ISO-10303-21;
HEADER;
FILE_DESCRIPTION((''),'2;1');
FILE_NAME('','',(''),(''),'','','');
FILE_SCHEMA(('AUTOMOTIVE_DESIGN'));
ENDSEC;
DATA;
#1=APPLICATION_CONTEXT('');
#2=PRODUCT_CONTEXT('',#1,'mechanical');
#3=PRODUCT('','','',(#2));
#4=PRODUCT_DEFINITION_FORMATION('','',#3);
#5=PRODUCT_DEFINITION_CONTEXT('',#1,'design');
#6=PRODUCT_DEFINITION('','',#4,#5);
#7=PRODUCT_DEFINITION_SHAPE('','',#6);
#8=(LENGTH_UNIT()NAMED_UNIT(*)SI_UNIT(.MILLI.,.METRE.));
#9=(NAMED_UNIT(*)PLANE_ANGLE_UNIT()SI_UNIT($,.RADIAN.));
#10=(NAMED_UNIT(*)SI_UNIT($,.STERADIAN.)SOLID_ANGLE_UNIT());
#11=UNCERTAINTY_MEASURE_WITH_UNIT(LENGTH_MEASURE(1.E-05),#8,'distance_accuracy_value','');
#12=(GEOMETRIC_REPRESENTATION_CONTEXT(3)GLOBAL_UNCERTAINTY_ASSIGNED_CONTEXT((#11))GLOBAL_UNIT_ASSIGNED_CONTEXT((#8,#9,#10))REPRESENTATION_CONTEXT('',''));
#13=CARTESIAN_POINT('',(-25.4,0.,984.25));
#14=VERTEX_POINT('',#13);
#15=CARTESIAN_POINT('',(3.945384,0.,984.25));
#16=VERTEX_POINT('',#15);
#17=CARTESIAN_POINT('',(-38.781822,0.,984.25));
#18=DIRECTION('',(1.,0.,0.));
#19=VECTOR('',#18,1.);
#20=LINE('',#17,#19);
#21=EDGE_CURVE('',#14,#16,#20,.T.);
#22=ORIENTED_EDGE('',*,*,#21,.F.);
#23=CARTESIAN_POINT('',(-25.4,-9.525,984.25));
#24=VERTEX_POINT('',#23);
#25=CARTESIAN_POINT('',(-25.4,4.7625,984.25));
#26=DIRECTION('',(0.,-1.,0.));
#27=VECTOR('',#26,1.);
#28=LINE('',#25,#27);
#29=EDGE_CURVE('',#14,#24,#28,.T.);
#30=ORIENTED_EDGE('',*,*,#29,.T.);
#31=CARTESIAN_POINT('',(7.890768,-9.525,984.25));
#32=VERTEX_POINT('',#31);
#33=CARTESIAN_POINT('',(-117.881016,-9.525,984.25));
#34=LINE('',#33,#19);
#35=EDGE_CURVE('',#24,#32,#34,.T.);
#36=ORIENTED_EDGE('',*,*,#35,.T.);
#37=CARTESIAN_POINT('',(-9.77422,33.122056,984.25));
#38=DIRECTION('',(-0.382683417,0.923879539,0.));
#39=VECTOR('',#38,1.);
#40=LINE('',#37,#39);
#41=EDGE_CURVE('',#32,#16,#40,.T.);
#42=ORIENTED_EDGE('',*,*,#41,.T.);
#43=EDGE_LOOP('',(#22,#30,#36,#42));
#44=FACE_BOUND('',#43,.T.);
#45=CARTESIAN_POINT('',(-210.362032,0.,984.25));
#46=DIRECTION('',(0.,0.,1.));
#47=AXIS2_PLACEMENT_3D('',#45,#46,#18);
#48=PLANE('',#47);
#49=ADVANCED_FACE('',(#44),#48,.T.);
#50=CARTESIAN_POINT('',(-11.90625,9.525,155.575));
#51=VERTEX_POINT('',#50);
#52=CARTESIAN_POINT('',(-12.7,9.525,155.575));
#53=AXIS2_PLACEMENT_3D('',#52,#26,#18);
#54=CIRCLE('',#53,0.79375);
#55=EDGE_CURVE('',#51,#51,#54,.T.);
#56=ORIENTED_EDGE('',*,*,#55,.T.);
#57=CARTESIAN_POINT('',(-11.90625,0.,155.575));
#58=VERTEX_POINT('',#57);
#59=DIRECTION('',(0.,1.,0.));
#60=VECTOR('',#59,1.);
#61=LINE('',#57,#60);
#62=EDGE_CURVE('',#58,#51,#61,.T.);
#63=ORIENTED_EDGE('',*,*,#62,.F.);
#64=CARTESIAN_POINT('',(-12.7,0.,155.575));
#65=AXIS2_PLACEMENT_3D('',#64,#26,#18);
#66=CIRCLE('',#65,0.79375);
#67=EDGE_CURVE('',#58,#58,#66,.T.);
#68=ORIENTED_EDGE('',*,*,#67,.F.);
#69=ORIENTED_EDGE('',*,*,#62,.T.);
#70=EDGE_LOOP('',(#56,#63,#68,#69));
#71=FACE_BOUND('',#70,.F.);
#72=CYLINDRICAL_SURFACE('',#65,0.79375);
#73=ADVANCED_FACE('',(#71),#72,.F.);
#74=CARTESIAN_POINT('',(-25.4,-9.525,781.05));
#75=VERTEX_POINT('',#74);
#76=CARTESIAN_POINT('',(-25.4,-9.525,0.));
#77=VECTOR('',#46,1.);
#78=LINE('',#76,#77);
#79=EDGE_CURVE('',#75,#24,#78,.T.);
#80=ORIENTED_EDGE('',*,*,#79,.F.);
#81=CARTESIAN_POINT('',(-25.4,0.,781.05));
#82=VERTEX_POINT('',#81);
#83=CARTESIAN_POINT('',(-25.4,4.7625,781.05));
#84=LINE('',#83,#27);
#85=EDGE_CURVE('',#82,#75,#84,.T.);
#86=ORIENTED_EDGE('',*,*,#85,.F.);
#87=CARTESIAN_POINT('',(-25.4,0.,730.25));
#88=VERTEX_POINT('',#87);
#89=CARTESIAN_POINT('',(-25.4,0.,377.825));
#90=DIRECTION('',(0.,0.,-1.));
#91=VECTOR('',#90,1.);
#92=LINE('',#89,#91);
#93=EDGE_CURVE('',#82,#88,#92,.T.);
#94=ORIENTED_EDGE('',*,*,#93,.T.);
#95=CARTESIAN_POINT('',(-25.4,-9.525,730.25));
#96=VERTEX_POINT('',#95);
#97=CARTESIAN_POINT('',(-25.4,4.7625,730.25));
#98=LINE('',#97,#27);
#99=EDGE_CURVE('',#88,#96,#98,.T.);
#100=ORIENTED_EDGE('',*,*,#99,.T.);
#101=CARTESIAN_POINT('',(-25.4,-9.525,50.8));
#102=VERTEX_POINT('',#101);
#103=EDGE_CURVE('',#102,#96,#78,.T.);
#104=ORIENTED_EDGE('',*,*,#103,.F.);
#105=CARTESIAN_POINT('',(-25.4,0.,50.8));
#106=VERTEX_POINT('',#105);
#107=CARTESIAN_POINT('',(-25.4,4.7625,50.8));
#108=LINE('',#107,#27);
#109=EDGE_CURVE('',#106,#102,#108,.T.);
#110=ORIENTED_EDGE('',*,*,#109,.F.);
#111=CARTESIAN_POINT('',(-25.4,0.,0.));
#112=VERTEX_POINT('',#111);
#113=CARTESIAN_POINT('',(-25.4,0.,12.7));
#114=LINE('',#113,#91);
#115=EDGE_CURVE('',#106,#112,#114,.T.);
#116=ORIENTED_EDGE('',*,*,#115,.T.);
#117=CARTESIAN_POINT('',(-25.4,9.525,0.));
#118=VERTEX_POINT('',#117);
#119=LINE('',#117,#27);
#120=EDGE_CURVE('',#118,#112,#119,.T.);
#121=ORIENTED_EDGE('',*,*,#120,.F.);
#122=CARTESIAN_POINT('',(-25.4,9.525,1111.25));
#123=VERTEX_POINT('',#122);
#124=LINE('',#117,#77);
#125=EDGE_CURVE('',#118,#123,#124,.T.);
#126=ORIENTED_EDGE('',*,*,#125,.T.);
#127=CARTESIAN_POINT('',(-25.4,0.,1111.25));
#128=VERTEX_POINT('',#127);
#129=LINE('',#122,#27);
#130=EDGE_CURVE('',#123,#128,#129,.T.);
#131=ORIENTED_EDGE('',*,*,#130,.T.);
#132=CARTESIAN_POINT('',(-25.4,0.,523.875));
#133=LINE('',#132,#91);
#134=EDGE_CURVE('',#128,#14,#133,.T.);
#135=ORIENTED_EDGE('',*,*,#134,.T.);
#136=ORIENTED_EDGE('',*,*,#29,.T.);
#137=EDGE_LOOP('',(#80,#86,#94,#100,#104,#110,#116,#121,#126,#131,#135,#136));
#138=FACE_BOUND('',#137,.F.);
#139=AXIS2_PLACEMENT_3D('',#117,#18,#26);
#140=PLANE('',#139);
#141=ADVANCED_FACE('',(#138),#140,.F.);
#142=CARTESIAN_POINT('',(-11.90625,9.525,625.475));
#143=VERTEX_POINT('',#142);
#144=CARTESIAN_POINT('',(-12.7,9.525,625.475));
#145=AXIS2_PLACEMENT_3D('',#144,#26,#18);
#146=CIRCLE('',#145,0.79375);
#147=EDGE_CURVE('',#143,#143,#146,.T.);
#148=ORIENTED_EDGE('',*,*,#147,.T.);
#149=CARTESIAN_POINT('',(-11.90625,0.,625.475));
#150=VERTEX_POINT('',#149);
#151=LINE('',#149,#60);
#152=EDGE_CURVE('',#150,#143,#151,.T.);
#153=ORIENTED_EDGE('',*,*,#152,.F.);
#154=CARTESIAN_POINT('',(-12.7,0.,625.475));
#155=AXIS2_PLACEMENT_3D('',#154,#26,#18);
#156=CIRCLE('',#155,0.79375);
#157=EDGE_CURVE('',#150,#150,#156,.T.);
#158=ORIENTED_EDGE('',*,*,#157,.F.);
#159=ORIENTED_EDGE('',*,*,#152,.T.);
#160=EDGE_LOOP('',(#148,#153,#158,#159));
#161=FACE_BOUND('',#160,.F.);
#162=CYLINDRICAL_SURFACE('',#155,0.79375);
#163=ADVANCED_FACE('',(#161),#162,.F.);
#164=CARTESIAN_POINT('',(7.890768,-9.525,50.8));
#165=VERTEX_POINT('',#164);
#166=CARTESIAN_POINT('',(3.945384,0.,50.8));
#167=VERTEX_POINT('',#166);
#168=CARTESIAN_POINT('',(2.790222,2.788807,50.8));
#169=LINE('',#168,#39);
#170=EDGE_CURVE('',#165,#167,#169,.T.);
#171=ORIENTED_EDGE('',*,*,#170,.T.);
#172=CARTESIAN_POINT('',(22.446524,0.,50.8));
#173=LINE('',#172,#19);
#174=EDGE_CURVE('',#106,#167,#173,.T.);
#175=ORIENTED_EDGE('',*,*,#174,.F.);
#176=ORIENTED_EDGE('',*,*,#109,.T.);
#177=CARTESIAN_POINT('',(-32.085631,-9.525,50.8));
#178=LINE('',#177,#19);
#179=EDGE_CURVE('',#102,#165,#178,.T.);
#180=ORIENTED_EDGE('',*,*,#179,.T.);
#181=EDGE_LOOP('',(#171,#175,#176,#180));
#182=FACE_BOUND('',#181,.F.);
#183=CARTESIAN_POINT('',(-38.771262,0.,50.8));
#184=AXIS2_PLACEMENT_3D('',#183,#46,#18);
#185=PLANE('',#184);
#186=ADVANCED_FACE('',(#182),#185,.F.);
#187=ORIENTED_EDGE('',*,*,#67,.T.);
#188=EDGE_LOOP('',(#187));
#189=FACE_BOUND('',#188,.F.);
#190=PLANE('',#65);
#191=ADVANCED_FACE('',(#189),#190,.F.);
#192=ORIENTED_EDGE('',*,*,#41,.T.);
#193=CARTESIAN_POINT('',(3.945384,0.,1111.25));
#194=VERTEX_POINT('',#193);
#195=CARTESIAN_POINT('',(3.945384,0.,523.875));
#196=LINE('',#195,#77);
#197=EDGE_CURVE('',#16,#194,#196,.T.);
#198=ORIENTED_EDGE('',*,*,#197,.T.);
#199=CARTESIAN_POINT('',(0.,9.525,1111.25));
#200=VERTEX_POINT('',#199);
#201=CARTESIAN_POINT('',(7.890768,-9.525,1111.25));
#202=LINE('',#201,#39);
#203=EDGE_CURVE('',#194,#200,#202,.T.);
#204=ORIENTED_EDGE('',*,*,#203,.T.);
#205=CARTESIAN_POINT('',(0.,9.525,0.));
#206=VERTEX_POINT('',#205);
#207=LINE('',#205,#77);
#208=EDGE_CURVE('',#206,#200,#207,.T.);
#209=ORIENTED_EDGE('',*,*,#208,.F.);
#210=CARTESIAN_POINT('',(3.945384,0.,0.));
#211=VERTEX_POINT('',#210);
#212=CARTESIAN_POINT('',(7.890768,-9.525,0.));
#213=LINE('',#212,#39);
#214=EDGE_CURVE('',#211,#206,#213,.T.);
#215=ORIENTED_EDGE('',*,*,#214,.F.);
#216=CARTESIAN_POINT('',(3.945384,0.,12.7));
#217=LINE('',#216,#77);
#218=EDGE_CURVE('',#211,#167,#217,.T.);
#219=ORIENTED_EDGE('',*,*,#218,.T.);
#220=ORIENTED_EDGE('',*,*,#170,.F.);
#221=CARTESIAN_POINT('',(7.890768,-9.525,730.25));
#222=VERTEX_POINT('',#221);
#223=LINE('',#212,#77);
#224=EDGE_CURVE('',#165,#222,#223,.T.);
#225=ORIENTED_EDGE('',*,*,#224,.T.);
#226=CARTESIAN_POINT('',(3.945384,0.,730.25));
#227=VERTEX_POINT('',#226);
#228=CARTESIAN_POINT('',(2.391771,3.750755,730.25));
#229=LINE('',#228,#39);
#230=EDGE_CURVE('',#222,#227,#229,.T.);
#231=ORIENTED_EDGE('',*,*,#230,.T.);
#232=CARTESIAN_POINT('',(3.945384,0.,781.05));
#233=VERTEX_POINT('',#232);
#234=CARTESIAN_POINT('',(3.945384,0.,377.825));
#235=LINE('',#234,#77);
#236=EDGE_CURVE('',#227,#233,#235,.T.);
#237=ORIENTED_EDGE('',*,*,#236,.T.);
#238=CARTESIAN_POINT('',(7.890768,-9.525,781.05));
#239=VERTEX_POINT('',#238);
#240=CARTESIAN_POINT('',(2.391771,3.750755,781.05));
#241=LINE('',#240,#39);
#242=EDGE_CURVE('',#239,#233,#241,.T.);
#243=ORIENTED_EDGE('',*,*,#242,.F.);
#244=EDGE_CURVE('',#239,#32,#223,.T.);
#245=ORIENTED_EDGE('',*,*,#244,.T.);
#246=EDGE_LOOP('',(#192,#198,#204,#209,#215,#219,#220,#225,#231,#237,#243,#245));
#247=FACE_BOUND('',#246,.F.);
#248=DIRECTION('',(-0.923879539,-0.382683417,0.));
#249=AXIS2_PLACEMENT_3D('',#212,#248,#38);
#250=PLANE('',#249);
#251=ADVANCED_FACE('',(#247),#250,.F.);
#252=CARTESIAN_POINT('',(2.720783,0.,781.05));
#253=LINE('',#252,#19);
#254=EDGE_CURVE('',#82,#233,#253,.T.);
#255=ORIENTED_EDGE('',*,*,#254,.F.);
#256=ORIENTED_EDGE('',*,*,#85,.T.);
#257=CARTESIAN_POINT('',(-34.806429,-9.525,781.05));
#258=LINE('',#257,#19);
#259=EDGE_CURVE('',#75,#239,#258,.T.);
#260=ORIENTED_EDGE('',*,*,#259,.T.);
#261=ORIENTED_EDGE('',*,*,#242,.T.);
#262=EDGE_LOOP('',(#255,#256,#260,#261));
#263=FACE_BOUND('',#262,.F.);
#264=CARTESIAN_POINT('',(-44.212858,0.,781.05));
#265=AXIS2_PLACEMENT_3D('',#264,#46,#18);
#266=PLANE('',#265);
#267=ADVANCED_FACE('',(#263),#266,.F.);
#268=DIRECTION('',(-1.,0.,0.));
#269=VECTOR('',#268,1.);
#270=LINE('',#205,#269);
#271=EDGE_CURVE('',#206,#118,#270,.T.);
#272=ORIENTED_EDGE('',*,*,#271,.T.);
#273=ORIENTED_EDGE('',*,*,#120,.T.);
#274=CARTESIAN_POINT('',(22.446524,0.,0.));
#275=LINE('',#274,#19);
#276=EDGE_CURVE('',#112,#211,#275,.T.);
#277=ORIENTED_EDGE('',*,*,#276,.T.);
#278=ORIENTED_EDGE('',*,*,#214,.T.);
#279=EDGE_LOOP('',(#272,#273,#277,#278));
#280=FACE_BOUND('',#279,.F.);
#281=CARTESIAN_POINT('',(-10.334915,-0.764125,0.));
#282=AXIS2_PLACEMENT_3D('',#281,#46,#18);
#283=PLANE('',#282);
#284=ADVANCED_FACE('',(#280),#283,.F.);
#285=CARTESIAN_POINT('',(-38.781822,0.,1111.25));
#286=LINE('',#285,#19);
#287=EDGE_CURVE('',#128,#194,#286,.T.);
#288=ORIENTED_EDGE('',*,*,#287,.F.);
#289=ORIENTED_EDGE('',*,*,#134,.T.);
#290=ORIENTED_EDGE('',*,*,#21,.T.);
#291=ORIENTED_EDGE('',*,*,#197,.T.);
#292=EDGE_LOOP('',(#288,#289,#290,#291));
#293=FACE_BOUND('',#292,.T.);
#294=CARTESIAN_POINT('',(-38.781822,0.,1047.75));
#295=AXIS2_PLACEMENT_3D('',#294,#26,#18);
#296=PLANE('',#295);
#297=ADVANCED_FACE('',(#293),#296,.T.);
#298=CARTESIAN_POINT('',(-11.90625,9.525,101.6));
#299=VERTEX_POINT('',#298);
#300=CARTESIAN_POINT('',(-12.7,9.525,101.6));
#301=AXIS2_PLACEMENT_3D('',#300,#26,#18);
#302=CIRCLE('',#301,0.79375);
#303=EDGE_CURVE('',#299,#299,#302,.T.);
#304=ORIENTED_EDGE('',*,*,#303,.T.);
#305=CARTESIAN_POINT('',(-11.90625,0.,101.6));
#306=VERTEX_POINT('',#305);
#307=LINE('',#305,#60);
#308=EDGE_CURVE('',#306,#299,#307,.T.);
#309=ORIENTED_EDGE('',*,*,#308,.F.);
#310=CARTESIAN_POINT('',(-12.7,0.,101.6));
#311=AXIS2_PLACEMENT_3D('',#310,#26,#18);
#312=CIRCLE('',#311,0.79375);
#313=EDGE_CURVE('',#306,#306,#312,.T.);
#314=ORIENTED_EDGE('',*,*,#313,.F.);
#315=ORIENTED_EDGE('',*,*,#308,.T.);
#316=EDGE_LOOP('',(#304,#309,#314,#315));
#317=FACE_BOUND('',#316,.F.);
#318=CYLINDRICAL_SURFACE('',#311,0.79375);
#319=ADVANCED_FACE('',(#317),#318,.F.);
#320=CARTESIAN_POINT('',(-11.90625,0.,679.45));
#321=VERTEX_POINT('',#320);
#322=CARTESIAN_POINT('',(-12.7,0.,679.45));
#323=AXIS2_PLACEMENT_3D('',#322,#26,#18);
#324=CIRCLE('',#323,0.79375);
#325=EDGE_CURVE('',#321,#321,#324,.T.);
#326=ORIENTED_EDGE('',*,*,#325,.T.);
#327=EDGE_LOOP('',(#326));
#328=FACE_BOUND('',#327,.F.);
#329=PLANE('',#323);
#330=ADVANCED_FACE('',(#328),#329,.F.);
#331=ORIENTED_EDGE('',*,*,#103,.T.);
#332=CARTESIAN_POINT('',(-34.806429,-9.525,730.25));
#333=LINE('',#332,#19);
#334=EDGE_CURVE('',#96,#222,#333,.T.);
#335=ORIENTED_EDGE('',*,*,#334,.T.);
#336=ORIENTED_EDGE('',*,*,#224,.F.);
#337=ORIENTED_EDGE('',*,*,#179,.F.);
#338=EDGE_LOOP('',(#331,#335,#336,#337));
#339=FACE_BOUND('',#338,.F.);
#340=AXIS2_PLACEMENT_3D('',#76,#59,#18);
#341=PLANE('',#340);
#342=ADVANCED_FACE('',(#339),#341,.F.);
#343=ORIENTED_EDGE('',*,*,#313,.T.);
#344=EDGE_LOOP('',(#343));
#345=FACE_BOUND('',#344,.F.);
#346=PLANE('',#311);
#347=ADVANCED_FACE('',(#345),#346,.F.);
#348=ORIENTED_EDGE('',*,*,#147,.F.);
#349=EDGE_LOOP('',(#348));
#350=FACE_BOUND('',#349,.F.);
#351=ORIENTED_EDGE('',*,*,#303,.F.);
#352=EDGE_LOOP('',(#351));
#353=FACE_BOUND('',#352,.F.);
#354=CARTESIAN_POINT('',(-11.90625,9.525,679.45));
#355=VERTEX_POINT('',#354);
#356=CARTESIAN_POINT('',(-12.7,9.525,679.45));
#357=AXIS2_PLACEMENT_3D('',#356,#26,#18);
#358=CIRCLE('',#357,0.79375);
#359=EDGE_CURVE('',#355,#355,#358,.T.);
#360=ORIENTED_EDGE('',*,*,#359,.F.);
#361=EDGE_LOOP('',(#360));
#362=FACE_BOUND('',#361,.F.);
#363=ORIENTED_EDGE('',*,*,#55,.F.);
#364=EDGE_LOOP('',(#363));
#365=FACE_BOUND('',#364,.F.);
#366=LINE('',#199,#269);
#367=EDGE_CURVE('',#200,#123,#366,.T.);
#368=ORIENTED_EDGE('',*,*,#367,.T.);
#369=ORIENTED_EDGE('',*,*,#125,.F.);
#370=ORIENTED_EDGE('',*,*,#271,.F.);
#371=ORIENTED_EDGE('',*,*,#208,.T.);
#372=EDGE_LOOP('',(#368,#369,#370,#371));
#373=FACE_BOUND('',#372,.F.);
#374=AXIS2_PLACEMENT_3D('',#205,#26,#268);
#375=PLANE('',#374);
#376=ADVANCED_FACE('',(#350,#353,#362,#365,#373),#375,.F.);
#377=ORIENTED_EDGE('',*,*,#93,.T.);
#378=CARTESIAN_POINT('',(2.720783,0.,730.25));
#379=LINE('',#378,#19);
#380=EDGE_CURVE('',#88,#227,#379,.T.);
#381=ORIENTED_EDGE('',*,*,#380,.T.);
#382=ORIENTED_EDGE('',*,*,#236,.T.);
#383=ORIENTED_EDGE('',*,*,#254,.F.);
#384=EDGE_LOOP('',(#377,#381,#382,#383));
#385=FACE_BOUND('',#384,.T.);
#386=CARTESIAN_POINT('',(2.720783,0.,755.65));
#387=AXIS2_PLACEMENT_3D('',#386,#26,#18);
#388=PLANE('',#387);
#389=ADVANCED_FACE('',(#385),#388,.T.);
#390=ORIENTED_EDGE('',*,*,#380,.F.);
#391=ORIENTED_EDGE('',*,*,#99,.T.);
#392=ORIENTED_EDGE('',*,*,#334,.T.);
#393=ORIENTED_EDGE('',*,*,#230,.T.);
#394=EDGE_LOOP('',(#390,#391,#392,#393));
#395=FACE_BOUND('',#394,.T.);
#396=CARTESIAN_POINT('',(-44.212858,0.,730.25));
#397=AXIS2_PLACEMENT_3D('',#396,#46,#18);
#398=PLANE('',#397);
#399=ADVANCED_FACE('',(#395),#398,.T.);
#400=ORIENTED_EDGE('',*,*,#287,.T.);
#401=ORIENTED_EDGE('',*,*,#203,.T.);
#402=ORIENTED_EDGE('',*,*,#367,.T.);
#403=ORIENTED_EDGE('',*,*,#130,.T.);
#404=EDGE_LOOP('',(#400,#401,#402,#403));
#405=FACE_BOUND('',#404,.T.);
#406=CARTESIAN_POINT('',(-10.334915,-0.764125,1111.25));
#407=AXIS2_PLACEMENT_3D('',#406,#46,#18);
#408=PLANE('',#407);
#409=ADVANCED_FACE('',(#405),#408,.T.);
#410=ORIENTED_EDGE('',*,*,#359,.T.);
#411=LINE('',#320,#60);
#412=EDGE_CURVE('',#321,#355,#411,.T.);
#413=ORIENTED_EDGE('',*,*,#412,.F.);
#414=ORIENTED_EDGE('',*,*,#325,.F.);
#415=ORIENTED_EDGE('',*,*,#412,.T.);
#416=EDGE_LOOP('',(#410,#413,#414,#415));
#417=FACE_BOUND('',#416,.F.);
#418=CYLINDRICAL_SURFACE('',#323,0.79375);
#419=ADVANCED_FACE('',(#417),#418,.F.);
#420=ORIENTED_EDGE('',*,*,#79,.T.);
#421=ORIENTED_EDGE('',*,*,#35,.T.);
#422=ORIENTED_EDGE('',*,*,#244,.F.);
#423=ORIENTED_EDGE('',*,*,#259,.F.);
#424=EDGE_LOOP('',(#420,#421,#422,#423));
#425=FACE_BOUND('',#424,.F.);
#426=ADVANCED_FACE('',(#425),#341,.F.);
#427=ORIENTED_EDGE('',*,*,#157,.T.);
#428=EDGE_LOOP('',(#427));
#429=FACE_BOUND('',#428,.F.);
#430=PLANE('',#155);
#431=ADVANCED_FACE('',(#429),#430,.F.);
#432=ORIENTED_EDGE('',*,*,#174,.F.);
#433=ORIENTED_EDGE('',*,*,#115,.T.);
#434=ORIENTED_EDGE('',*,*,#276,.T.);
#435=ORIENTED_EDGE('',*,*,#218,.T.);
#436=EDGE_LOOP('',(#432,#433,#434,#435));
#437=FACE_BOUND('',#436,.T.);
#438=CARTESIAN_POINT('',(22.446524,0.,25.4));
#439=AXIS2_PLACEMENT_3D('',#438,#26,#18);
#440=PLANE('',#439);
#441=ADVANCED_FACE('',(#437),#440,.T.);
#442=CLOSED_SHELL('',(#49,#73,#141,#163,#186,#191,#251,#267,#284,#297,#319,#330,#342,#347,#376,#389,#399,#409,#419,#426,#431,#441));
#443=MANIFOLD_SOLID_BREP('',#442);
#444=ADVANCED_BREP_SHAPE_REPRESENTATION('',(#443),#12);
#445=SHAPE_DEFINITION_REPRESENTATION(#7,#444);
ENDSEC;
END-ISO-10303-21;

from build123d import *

# Parameters (mm, degrees)
F1_DEPTH = 1111.25
F2_W     = 122.435573
F2_H     = 50.8
F2_W_2   = 93.867282
F2_W_3   = 343.160421
F2_H_2   = 127
F3_DEPTH = 25.4
F4_R     = 0.79375
F5_DEPTH = 25.4


with BuildPart() as f1:
    # F0 (on Top) → F1 (new body)
    with BuildSketch(Plane.XY):
        Polygon((7.890768, -9.525), (0, 9.525), (-25.4, 9.525), (-25.4, -9.525), align=None)
    extrude(amount=F1_DEPTH)

    # F2 (on Front) → F3 (cut)
    with BuildSketch(Plane.XZ):
        with Locations((22.446524, 25.4)):
            Rectangle(F2_W, F2_H)
        with Locations((2.720783, 755.65)):
            Rectangle(F2_W_2, F2_H)
        with Locations((-38.781822, 1047.75)):
            Rectangle(F2_W_3, F2_H_2)
    extrude(amount=F3_DEPTH, mode=Mode.SUBTRACT)

    # F4 (on Front) → F5 (cut)
    with BuildSketch(Plane.XZ):
        with Locations((12.7, 101.6)):
            Circle(F4_R)
        with Locations((12.7, 155.575)):
            Circle(F4_R)
        with Locations((12.7, 625.475)):
            Circle(F4_R)
        with Locations((12.7, 679.45)):
            Circle(F4_R)
        with Locations((-12.7, 625.475)):
            Circle(F4_R)
        with Locations((-12.7, 679.45)):
            Circle(F4_R)
        with Locations((-12.7, 101.6)):
            Circle(F4_R)
        with Locations((-12.7, 155.575)):
            Circle(F4_R)
    extrude(amount=-F5_DEPTH, mode=Mode.SUBTRACT)


solid = f1.part
